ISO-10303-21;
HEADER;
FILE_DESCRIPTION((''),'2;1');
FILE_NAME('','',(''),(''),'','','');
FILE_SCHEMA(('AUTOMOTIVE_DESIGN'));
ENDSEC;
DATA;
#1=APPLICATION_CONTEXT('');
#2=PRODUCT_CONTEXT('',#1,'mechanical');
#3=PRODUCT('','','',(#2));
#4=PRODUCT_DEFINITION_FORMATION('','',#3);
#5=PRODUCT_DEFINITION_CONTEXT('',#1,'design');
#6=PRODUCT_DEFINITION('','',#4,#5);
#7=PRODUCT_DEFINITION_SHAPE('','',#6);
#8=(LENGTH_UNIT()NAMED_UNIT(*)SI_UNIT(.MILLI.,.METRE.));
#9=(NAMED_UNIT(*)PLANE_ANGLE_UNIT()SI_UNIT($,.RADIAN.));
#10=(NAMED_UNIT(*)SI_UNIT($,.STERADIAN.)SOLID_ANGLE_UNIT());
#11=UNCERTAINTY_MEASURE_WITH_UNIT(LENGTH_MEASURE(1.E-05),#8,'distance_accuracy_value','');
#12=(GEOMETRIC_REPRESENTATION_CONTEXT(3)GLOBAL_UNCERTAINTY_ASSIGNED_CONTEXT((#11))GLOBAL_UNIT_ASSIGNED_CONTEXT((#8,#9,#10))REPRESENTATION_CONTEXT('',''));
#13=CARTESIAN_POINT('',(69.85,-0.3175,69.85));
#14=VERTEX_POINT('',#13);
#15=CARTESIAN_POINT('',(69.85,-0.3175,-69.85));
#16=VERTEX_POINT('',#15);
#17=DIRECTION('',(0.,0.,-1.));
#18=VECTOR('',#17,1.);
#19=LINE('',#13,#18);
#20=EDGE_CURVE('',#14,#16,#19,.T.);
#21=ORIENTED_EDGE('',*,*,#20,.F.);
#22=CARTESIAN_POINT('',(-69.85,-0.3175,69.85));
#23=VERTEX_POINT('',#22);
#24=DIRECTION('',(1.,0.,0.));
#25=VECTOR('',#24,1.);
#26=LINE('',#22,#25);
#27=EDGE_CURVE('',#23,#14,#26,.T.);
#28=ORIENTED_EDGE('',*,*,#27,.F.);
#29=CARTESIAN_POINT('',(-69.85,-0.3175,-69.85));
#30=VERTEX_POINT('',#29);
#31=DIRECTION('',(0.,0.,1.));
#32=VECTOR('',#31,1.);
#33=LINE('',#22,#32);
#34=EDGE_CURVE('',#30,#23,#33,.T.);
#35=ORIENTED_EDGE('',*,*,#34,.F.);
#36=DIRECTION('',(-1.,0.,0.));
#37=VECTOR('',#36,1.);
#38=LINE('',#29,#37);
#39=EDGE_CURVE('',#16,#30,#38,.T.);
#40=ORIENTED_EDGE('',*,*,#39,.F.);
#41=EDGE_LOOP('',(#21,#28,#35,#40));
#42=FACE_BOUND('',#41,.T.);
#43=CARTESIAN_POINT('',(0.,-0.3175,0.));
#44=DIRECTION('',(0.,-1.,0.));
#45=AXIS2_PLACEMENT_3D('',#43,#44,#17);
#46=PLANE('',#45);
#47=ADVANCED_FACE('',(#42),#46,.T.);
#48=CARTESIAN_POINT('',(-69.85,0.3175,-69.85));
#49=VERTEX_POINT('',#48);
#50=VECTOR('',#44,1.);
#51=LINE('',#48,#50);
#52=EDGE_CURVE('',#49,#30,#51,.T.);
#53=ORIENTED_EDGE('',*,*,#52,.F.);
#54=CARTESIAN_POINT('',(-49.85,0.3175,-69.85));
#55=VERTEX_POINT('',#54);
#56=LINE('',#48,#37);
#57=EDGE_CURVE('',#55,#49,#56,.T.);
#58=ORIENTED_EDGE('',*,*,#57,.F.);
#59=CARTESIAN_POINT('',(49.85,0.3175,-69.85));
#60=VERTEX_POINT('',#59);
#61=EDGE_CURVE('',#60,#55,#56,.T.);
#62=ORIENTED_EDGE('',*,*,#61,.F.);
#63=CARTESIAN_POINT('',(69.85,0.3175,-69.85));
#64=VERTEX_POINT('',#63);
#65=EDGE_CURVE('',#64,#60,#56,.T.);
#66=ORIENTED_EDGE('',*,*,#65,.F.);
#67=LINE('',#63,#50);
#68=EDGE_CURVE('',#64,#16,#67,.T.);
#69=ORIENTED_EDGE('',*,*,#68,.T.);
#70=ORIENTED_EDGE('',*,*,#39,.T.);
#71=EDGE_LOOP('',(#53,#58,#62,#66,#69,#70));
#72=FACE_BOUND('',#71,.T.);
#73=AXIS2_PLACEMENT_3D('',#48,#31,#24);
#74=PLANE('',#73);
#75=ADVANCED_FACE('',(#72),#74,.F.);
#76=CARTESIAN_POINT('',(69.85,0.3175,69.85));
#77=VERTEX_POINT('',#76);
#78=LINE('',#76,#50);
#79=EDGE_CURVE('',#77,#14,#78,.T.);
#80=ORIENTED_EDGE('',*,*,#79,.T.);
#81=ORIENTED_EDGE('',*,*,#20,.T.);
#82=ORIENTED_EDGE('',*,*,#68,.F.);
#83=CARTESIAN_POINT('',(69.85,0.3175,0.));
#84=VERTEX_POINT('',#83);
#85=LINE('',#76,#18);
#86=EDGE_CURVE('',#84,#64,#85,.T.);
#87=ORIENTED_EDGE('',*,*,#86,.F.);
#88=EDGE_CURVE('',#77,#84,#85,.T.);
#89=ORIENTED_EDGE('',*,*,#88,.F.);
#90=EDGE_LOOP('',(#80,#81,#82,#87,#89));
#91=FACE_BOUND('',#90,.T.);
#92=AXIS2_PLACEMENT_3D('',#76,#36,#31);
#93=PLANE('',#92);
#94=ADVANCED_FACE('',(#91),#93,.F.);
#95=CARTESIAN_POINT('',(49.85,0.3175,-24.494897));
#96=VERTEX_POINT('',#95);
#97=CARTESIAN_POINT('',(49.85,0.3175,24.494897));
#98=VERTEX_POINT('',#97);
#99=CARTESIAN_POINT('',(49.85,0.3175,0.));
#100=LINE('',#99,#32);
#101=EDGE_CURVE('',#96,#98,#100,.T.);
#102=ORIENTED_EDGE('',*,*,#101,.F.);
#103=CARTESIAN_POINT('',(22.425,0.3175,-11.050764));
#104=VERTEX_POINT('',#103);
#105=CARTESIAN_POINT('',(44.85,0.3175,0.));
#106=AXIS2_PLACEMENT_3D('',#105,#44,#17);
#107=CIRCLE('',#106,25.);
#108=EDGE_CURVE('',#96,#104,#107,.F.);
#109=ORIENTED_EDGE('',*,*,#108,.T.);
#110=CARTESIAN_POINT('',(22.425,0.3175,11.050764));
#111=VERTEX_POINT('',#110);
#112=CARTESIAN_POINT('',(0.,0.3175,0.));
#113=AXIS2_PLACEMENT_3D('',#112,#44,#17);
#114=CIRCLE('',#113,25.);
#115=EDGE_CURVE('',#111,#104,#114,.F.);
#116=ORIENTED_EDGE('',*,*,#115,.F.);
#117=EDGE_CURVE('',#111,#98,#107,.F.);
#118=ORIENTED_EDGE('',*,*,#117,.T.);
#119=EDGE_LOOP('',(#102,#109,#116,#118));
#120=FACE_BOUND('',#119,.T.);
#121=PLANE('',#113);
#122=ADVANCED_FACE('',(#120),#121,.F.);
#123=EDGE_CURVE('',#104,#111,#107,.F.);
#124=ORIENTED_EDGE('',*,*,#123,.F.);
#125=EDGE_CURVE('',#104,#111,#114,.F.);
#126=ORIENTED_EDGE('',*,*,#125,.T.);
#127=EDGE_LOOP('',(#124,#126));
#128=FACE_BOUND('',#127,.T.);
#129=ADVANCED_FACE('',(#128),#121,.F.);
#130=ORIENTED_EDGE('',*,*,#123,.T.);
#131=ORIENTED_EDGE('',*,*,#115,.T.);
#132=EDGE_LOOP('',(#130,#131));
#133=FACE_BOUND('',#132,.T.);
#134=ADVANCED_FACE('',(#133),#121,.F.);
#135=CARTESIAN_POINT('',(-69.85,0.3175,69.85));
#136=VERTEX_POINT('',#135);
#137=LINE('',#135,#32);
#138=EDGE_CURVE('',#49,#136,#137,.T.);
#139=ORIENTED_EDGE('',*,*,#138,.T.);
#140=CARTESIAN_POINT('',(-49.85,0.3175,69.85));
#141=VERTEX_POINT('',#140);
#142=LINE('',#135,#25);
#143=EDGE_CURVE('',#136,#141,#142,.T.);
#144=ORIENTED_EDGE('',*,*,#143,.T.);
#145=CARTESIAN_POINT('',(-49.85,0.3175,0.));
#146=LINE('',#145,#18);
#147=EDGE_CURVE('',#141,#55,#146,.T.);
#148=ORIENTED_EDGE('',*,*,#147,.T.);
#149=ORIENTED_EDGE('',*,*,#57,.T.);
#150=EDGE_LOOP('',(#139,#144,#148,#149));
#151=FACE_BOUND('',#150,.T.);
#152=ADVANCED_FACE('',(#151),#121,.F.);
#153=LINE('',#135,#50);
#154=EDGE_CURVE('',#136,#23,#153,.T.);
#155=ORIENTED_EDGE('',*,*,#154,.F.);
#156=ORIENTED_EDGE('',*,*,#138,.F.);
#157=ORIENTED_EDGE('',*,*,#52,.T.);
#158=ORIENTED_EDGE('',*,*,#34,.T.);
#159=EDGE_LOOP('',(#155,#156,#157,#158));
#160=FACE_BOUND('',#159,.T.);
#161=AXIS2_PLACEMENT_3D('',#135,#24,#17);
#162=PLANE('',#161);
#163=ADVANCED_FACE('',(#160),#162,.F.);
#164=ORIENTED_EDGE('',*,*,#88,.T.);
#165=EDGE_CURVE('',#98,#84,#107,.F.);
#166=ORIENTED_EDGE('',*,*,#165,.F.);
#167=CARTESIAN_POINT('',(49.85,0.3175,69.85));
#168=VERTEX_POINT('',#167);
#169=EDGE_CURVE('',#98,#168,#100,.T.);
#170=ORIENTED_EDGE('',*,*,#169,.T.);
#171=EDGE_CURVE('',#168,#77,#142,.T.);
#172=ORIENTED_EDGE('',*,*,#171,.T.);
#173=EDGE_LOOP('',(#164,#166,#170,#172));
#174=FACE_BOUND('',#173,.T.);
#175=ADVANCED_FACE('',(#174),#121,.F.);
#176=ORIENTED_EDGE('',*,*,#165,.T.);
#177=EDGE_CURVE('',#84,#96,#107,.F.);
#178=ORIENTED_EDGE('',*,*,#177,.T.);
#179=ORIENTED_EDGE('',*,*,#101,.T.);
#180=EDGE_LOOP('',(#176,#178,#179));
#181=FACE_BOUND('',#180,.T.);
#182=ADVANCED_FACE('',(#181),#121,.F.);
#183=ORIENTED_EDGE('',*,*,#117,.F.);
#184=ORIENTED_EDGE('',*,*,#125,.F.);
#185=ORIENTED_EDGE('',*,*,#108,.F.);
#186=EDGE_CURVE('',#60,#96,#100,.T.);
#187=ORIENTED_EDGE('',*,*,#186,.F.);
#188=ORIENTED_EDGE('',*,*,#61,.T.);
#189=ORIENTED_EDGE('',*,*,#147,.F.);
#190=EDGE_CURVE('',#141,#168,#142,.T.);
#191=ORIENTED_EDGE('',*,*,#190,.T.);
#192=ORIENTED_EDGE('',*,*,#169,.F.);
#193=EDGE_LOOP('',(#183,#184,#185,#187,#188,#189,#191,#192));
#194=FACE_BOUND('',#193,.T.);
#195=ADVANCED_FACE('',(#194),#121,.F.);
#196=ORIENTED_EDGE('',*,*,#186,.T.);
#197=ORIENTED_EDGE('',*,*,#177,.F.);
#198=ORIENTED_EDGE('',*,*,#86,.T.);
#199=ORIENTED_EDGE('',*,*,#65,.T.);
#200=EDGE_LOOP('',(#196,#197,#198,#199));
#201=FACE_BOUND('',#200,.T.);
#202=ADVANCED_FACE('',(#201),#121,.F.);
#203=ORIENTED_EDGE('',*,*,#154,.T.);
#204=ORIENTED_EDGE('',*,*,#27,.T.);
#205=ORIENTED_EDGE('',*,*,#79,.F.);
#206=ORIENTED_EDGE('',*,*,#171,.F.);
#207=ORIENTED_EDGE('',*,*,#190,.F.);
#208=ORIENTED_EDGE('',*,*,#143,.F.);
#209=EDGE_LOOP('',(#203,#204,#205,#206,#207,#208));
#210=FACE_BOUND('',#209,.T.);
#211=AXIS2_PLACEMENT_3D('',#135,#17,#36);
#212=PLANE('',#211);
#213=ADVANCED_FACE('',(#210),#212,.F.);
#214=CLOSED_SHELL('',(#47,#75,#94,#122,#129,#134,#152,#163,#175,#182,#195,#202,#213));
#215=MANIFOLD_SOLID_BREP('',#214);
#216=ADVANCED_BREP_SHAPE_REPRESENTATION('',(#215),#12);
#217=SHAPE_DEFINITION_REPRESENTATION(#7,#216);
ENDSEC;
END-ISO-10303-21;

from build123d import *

# Parameters (mm, degrees)
SKETCH1_W           = 139.7
SKETCH1_H           = 139.7
BOSS_EXTRUDE1_DEPTH = 0.3175


with BuildPart() as part:
    # Sketch1 → Boss-Extrude1 (new, symmetric)
    with BuildSketch(Plane(origin=(0, 0, 0), x_dir=(1, 0, 0), z_dir=(0, 1, 0))):
        Rectangle(SKETCH1_W, SKETCH1_H)
    extrude(amount=BOSS_EXTRUDE1_DEPTH, both=True)


solid = part.part
